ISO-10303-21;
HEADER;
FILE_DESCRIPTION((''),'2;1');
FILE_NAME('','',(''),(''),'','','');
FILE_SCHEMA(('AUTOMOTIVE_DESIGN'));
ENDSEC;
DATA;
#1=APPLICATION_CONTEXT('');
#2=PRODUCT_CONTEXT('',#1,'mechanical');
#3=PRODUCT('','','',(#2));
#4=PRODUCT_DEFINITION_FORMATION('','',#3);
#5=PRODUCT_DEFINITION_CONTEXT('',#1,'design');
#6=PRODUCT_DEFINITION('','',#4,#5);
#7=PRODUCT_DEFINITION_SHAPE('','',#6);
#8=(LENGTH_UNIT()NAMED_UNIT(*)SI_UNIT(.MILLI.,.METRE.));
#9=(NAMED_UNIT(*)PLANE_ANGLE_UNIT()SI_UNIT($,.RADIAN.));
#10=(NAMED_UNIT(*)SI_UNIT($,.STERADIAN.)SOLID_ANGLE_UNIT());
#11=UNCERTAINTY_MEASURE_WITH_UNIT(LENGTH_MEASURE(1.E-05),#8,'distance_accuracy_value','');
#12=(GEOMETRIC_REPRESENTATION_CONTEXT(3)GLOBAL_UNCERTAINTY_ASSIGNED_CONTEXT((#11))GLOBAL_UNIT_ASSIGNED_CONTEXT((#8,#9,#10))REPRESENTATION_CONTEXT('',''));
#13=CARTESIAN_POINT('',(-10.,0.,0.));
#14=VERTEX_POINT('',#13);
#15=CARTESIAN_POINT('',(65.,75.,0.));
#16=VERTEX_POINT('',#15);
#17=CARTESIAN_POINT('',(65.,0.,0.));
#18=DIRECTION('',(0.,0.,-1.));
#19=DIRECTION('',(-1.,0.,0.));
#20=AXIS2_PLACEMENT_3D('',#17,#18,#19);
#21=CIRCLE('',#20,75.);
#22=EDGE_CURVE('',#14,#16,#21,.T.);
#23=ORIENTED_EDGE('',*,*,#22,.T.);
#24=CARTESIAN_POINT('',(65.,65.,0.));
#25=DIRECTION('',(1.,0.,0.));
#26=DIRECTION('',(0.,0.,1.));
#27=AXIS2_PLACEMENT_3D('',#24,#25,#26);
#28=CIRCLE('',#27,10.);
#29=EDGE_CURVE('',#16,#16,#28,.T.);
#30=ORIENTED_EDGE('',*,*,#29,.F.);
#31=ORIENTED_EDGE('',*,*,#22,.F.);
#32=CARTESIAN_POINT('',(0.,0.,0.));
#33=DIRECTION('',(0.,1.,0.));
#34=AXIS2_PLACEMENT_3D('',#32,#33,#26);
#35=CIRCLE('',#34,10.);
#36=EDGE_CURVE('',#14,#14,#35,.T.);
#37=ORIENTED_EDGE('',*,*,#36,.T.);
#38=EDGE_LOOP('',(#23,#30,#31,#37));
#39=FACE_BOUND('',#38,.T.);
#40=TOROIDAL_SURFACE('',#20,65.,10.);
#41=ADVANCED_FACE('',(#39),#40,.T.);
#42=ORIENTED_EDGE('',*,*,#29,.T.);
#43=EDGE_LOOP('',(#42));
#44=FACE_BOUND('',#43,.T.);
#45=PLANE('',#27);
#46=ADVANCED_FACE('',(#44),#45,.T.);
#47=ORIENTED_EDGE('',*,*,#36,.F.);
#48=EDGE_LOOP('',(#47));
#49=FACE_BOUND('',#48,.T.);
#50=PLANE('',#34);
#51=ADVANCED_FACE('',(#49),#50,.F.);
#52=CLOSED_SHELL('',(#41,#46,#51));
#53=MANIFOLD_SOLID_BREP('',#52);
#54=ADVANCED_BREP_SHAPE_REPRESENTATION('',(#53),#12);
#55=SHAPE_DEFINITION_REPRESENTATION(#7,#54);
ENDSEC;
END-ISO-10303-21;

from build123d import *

# Parameters (mm, degrees)
SKETCH2_R = 10


with BuildPart() as part:
    # Sweep1: sweep along a path in Sketch1
    with BuildLine(Plane.XY) as sweep1_path:
        ThreePointArc((0, 0), (19.038059223, 45.961940777), (65, 65))
    # Sketch2 → Sweep1 (sweep)
    with BuildSketch(Plane(origin=(0, 0, 0), x_dir=(1, 0, 0), z_dir=(0, 1, 0))):
        Circle(SKETCH2_R)
    sweep(path=sweep1_path.line)


solid = part.part
